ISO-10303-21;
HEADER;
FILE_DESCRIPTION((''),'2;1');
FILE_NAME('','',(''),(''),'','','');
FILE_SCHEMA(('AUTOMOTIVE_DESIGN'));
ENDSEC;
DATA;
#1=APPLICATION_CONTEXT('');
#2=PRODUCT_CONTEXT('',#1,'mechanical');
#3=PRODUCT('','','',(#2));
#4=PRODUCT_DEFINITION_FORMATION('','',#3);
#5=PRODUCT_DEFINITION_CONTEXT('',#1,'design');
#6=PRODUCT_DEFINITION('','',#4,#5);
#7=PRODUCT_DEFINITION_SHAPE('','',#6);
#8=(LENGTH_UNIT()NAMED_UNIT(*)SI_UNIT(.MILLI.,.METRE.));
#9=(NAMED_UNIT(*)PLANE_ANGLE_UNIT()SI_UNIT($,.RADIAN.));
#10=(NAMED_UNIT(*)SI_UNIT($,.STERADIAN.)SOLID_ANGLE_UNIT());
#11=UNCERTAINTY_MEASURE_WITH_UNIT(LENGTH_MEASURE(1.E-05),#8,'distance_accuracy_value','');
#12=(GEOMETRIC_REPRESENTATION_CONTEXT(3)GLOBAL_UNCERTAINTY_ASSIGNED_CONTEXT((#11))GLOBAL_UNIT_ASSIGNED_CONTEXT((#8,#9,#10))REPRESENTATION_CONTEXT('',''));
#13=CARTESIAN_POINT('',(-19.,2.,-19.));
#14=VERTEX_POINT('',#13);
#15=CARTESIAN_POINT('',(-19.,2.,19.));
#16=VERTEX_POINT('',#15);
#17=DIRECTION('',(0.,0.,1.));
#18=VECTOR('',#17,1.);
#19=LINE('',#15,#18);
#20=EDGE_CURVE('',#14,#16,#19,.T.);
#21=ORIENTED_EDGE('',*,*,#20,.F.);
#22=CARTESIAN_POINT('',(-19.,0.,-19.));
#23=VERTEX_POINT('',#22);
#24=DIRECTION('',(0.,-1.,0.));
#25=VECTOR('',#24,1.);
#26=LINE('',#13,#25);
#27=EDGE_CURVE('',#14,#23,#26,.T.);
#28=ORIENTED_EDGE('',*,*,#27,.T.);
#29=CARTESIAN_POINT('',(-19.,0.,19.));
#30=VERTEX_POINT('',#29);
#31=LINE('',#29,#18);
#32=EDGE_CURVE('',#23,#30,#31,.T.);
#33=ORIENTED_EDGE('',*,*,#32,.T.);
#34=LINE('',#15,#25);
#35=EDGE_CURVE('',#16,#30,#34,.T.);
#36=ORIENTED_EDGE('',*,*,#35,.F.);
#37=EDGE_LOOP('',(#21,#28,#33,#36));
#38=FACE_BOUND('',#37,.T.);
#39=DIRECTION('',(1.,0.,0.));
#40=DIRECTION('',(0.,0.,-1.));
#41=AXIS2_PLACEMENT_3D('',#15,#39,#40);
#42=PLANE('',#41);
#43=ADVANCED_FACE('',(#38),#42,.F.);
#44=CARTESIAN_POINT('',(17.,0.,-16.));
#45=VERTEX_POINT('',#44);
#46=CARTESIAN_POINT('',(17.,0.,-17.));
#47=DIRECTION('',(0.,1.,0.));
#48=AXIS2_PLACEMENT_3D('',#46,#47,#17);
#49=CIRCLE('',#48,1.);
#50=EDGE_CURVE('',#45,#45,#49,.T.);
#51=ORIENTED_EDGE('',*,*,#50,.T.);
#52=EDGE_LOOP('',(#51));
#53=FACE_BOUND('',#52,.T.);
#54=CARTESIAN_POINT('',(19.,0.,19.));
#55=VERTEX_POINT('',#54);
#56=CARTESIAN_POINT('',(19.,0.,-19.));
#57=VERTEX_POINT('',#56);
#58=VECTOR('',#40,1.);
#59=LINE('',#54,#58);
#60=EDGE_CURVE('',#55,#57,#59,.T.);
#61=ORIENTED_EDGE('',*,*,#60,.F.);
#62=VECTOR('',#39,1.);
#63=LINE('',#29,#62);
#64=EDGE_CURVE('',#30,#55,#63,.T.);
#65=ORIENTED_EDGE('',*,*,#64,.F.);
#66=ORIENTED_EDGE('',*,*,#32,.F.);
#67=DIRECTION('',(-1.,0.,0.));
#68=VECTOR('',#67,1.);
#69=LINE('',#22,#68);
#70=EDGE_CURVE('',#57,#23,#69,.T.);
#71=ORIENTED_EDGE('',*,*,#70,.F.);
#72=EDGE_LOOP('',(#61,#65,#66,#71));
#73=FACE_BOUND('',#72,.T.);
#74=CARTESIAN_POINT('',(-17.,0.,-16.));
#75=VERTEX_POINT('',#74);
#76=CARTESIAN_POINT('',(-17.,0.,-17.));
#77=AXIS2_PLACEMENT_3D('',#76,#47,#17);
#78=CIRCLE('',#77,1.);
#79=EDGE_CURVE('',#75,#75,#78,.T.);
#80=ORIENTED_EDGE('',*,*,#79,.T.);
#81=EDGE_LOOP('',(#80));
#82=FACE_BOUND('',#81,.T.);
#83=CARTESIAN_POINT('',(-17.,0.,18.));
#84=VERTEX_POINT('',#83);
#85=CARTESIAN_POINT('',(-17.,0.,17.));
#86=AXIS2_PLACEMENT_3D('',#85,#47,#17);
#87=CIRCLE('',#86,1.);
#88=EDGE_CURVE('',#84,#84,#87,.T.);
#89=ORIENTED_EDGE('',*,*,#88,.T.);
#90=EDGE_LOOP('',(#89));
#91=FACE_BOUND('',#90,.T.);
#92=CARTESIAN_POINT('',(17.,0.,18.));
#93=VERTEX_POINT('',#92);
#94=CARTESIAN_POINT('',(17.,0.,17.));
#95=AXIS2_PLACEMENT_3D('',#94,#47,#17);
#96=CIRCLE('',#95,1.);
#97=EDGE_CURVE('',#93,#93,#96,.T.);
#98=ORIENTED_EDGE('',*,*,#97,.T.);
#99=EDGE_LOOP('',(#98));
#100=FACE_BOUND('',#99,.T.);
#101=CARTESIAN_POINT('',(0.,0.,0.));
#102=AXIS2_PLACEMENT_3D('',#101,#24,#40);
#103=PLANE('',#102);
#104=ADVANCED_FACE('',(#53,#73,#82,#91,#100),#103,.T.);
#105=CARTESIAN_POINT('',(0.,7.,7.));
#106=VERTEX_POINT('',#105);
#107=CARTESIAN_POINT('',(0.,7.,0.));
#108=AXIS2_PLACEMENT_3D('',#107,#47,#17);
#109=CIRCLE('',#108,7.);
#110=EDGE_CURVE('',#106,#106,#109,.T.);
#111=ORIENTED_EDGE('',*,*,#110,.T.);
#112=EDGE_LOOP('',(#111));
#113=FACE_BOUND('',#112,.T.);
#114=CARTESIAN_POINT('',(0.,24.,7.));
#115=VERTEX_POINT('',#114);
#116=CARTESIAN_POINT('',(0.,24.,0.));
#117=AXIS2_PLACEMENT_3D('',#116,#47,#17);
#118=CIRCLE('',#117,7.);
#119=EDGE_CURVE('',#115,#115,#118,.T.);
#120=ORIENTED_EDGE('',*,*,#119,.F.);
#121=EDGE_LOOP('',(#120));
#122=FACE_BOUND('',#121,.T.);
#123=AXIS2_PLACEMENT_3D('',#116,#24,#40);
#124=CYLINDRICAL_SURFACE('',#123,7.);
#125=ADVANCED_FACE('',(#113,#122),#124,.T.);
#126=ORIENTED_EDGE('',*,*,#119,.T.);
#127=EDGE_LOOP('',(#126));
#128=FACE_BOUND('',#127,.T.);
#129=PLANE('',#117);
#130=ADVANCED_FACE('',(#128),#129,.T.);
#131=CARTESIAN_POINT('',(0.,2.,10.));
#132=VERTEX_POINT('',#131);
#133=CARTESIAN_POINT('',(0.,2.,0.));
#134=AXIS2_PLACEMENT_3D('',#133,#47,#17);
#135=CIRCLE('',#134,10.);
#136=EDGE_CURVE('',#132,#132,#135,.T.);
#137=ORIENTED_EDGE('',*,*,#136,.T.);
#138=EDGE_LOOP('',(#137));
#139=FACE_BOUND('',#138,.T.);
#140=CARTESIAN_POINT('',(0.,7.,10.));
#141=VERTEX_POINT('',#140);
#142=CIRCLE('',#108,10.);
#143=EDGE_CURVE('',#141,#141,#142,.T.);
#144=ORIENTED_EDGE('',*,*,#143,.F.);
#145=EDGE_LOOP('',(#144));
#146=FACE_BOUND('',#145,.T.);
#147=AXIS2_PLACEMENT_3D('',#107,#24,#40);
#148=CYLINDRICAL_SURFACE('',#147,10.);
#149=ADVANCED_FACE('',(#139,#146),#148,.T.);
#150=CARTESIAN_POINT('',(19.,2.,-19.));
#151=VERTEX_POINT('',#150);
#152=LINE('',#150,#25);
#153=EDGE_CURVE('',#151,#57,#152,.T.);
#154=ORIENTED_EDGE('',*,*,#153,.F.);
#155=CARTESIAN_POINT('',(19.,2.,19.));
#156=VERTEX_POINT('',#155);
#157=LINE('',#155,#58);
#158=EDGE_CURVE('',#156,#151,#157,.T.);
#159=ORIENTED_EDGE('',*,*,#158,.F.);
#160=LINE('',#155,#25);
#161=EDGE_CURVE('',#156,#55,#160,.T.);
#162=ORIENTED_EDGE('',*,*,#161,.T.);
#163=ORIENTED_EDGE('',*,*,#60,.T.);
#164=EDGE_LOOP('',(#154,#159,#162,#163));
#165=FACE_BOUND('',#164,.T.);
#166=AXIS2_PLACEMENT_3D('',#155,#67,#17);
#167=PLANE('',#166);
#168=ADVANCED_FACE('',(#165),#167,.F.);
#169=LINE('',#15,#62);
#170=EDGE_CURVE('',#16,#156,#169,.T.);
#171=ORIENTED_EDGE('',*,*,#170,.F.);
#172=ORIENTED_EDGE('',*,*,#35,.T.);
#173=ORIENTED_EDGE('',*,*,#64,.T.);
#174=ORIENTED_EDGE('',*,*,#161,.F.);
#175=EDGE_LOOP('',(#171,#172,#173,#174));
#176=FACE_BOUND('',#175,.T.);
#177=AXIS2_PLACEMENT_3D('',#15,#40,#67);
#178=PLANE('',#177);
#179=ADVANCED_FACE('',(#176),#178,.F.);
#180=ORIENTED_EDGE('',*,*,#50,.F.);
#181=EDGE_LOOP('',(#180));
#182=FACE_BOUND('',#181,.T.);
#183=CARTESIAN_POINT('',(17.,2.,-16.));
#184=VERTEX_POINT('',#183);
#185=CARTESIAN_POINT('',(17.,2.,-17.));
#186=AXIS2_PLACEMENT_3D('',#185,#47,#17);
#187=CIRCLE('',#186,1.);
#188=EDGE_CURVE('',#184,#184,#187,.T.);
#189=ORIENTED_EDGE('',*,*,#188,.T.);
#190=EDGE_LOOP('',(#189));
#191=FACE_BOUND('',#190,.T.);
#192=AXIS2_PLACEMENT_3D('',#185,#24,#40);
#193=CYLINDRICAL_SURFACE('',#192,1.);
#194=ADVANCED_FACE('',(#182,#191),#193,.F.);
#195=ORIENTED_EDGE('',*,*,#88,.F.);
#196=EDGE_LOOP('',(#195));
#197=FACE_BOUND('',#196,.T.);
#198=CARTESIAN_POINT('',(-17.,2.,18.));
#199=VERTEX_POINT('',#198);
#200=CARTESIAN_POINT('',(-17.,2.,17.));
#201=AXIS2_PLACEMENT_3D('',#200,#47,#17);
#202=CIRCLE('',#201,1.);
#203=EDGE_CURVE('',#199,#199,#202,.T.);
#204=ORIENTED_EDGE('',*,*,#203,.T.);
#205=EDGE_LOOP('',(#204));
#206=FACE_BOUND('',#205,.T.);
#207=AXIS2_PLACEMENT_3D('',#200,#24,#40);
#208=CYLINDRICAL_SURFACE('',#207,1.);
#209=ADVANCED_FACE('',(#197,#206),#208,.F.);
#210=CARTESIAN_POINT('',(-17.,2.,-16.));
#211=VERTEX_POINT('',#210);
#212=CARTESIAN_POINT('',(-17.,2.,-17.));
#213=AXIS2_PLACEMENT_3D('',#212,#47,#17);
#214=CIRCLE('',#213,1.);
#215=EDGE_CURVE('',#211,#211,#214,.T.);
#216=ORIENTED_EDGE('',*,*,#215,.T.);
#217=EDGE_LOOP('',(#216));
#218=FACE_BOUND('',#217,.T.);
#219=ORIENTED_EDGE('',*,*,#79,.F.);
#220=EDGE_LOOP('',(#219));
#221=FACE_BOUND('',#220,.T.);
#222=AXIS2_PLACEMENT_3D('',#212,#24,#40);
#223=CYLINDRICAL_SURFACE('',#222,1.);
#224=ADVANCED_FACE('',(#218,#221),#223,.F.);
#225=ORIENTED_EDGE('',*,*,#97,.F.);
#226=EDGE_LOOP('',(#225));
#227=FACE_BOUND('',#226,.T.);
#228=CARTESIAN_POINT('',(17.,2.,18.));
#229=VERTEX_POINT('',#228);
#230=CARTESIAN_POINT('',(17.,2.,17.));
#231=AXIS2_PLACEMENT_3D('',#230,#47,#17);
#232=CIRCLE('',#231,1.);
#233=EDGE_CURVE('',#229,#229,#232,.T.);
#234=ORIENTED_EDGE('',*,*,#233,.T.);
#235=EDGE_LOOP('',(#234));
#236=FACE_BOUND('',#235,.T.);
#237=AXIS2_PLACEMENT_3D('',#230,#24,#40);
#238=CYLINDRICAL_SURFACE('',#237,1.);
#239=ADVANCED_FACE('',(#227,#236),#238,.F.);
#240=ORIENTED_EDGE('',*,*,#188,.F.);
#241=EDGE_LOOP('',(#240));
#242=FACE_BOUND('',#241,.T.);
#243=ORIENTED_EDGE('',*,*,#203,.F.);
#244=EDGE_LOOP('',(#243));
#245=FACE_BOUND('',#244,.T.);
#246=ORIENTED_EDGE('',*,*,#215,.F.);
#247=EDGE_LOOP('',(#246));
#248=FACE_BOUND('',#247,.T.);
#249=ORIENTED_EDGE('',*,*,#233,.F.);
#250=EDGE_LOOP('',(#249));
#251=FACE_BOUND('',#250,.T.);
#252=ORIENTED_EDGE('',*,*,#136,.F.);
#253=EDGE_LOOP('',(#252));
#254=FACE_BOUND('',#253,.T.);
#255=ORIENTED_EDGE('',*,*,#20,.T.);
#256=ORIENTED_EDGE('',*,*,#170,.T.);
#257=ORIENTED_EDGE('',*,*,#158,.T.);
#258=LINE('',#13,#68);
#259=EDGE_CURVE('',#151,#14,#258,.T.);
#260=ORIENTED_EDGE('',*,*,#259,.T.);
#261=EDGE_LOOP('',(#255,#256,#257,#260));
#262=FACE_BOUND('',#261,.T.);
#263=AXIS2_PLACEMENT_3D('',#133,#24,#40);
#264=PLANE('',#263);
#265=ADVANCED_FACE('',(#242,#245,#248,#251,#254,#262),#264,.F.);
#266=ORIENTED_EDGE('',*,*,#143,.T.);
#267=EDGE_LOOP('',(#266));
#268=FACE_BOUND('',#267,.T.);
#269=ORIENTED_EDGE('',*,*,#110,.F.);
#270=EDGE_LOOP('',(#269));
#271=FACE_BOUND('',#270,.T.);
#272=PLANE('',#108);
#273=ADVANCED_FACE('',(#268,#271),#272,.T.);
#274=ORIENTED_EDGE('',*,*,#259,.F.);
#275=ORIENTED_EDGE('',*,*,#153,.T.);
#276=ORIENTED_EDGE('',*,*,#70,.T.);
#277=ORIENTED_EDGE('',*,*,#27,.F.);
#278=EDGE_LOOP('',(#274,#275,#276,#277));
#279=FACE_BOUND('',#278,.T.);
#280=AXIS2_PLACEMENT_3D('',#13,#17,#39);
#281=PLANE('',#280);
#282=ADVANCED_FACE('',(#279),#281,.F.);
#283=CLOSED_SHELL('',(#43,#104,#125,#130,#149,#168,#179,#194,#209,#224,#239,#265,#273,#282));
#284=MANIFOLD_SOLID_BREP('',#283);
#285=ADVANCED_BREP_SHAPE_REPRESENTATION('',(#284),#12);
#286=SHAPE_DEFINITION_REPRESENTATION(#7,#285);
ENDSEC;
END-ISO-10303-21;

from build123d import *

# Parameters (mm, degrees)
SKETCH1_W           = 38
SKETCH1_H           = 38
SKETCH1_R           = 1
BOSS_EXTRUDE1_DEPTH = 2
SKETCH2_R           = 10
BOSS_EXTRUDE2_DEPTH = 5
SKETCH3_R           = 7
BOSS_EXTRUDE3_DEPTH = 17


with BuildPart() as part:
    # Sketch1 → Boss-Extrude1 (new body)
    with BuildSketch(Plane(origin=(0, 0, 0), x_dir=(1, 0, 0), z_dir=(0, 1, 0))):
        Rectangle(SKETCH1_W, SKETCH1_H)
        with Locations(Location((-17, 17, 0), (0, 0, 270))):
            Circle(SKETCH1_R, mode=Mode.SUBTRACT)
        with Locations(Location((17, 17, 0), (0, 0, 270))):
            Circle(SKETCH1_R, mode=Mode.SUBTRACT)
        with Locations(Location((17, -17, 0), (0, 0, 270))):
            Circle(SKETCH1_R, mode=Mode.SUBTRACT)
        with Locations(Location((-17, -17, 0), (0, 0, 270))):
            Circle(SKETCH1_R, mode=Mode.SUBTRACT)
    extrude(amount=BOSS_EXTRUDE1_DEPTH)

    # Sketch2 → Boss-Extrude2 (add)
    with BuildSketch(Plane(origin=(0, 2, 0), x_dir=(1, 0, 0), z_dir=(0, 1, 0))):
        with Locations(Location((0, 0, 0), (0, 0, 270))):
            Circle(SKETCH2_R)
    extrude(amount=BOSS_EXTRUDE2_DEPTH)

    # Sketch3 → Boss-Extrude3 (add)
    with BuildSketch(Plane(origin=(0, 7, 0), x_dir=(1, 0, 0), z_dir=(0, 1, 0))):
        with Locations(Location((0, 0, 0), (0, 0, 270))):
            Circle(SKETCH3_R)
    extrude(amount=BOSS_EXTRUDE3_DEPTH)


solid = part.part
